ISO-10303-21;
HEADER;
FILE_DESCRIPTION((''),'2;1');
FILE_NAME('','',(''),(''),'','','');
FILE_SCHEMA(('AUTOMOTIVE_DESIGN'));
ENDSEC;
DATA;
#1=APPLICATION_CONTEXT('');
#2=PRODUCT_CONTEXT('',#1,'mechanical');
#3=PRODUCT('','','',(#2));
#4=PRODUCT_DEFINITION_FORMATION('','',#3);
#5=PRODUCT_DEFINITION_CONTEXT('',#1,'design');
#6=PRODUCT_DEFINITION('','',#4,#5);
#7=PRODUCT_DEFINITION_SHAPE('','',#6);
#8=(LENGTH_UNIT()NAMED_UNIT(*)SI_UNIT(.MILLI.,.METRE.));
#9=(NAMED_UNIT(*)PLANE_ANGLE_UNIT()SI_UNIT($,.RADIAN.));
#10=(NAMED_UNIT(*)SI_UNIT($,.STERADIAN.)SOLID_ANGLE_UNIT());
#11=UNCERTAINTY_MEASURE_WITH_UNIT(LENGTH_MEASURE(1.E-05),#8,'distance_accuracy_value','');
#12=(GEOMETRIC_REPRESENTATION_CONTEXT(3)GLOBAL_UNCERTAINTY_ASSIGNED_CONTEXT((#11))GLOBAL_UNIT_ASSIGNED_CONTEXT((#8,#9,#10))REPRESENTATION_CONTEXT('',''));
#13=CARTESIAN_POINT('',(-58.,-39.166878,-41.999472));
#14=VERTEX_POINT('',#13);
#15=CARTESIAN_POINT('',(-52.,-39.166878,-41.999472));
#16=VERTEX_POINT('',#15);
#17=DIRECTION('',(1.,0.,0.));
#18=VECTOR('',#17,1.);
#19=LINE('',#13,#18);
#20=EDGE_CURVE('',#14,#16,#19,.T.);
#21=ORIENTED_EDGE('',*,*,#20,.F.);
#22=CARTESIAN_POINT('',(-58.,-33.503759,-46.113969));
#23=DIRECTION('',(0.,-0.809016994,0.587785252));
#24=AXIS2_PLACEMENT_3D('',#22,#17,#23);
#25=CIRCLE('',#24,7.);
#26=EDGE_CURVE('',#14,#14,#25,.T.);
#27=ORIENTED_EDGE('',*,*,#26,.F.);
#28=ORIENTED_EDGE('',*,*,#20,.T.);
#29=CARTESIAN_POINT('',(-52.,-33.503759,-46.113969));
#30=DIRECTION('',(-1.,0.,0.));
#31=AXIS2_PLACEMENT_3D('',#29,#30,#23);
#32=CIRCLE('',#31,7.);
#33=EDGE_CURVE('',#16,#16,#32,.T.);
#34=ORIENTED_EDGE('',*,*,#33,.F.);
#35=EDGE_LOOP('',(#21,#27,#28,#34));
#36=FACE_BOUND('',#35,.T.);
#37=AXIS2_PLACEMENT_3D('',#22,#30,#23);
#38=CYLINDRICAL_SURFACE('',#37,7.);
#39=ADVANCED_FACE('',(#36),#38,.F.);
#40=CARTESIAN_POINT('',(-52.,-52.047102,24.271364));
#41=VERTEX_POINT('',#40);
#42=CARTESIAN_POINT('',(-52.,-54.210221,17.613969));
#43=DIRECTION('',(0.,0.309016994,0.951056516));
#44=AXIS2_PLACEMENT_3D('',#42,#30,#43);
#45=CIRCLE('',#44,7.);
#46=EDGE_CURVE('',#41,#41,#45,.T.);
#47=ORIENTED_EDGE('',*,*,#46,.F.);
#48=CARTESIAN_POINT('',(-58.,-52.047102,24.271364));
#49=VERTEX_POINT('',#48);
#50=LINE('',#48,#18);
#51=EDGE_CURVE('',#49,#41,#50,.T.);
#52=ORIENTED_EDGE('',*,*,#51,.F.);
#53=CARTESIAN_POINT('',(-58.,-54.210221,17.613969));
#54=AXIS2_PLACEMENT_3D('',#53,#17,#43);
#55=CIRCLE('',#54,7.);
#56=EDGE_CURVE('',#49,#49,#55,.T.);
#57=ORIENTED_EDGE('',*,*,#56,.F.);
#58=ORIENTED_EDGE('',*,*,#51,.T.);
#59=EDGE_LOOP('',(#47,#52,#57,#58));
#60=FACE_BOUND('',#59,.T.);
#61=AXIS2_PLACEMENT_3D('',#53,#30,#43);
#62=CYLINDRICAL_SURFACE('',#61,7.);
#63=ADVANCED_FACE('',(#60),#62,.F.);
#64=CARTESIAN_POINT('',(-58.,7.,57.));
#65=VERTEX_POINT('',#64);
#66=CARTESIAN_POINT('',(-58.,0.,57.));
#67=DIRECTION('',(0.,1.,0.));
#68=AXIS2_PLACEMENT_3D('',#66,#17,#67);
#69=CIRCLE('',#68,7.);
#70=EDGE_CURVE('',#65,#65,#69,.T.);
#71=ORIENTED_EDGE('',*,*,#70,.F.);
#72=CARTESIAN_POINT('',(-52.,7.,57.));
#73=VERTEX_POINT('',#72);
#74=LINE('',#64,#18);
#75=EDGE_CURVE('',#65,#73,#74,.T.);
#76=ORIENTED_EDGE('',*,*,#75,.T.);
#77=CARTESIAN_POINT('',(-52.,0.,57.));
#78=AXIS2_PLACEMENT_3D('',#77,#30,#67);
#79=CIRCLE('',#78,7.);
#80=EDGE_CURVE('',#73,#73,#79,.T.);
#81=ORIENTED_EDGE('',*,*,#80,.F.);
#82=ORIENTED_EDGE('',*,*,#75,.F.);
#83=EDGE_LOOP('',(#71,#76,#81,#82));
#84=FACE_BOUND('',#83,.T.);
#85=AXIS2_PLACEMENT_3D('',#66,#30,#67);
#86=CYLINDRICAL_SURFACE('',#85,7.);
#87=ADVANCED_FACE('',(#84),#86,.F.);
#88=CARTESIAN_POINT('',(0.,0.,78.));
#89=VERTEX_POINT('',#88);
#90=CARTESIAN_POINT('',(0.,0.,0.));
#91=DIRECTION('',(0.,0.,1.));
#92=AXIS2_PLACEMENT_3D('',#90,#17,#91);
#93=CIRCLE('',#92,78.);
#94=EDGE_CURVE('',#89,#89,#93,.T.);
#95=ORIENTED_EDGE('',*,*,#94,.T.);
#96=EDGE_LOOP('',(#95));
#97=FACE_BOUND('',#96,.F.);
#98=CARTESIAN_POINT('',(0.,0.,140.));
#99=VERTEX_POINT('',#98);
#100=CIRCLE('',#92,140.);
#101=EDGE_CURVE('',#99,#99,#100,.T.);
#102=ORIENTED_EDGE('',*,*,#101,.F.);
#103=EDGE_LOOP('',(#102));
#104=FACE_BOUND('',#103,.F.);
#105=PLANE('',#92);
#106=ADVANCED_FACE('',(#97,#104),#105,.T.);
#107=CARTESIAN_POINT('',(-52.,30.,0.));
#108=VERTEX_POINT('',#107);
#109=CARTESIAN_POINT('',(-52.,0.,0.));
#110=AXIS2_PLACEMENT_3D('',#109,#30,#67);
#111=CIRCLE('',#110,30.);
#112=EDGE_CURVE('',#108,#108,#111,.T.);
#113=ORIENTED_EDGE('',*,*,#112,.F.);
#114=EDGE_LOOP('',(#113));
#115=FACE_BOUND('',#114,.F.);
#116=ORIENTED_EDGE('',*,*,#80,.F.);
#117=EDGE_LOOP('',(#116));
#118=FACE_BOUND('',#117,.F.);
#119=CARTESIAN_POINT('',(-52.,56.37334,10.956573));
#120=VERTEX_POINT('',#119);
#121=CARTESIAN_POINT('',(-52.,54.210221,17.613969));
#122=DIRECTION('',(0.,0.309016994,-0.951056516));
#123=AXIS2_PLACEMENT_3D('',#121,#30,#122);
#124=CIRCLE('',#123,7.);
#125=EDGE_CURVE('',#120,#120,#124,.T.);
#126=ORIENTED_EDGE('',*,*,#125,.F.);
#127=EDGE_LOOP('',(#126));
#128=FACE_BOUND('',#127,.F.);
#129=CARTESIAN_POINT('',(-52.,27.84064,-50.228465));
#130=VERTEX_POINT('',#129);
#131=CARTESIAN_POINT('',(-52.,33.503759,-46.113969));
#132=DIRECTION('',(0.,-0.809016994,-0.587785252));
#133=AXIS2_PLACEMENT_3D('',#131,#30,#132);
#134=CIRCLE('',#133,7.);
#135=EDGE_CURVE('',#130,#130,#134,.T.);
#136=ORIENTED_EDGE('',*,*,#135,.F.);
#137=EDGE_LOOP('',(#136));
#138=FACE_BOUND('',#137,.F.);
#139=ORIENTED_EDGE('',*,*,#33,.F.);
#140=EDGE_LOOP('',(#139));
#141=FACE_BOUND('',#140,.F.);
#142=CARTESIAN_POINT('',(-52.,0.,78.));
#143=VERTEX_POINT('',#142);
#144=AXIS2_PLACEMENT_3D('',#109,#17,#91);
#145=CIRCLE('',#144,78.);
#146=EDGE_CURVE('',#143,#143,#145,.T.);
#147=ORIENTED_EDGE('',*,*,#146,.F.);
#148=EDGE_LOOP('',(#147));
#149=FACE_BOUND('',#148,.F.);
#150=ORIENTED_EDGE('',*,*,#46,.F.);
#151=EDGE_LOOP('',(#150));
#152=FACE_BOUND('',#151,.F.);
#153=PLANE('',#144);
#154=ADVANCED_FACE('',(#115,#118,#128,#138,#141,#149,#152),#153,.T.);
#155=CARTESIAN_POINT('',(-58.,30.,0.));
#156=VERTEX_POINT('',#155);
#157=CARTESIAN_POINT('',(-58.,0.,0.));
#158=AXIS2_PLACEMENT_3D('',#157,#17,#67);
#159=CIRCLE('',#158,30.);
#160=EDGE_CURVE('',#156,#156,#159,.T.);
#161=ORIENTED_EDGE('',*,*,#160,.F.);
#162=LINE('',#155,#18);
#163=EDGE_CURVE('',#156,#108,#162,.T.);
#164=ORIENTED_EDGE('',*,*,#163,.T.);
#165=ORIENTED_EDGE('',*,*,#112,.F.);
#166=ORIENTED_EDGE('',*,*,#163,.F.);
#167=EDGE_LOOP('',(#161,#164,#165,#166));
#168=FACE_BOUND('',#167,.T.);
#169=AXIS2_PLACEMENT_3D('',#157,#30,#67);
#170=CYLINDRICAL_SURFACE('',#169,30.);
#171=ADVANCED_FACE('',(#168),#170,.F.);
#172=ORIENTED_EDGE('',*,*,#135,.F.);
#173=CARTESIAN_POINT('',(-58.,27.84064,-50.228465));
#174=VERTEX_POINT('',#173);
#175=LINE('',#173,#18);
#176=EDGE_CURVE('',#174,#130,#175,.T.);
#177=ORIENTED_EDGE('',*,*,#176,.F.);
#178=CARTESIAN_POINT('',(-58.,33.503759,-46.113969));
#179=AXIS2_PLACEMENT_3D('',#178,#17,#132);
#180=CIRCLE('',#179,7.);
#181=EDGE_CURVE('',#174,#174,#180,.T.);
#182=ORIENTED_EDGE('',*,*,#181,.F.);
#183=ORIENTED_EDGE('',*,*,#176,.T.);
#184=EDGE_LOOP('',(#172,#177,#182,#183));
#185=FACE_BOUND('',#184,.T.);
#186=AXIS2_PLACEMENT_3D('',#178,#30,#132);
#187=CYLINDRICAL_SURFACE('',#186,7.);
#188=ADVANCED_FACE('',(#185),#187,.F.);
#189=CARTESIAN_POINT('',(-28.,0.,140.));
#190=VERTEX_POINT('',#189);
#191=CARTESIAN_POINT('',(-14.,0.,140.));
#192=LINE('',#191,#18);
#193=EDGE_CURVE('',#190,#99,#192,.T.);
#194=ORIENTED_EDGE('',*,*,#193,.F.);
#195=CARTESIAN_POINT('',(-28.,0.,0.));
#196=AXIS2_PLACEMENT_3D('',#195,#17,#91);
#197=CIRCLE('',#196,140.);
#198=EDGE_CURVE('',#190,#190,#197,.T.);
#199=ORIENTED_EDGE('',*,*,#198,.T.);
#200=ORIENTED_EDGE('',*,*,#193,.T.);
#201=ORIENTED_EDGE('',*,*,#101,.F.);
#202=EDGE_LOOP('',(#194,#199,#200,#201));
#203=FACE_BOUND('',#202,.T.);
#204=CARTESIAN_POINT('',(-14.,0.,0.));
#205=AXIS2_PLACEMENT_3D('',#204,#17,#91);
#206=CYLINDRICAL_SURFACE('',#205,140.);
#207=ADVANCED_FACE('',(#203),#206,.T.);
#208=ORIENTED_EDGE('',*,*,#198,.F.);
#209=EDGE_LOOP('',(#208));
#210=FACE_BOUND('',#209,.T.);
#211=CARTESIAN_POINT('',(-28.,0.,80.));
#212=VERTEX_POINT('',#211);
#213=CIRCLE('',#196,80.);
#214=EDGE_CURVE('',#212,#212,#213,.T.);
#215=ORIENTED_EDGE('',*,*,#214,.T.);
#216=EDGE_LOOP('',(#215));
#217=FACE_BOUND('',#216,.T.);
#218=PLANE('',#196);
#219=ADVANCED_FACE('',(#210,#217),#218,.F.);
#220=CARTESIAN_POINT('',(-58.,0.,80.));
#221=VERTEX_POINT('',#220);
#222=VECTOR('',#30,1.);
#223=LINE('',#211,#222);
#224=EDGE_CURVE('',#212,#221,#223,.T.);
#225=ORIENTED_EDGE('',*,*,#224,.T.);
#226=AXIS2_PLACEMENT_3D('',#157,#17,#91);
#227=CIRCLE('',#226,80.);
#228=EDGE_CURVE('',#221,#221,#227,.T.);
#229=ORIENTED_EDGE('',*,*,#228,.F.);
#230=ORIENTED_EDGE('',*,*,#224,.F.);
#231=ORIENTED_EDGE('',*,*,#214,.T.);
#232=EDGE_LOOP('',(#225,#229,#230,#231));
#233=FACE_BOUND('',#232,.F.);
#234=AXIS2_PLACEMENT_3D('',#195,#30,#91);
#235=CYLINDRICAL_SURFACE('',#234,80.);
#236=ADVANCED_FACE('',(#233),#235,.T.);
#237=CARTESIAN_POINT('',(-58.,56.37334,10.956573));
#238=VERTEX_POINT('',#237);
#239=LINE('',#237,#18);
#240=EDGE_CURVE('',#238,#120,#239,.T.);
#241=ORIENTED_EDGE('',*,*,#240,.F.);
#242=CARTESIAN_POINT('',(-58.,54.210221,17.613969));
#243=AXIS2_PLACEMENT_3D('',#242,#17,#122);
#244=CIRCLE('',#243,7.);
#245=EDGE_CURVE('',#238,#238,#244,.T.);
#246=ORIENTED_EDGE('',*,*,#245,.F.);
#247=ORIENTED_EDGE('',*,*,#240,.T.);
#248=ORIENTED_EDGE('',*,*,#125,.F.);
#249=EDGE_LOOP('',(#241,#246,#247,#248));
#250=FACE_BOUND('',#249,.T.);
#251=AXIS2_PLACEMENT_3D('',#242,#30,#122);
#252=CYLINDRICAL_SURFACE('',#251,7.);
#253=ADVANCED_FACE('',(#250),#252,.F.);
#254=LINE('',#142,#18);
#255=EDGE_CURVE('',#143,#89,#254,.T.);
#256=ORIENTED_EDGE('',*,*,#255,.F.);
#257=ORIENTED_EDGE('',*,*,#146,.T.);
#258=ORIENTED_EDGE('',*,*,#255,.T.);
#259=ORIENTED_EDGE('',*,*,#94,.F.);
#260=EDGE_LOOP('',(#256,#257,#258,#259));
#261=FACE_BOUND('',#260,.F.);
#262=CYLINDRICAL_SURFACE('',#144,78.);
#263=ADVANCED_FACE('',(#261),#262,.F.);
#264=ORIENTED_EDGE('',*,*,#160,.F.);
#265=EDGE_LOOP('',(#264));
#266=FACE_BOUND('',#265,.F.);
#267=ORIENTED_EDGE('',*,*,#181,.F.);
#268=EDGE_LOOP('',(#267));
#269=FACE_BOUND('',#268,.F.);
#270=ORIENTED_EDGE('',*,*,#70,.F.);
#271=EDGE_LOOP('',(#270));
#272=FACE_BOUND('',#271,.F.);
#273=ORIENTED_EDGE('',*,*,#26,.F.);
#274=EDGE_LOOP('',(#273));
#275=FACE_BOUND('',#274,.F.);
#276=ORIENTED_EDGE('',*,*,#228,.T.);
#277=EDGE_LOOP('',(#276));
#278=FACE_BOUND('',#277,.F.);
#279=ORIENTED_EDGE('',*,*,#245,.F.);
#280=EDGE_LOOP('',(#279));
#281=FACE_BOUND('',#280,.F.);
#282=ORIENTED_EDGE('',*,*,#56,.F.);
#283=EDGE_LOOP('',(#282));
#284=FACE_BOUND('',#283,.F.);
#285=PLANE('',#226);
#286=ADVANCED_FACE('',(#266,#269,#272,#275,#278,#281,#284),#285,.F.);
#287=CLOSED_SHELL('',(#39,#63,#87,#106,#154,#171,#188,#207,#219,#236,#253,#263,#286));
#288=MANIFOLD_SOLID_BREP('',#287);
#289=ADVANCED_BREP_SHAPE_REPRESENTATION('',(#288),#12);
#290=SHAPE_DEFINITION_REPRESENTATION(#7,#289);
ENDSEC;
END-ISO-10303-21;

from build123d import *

# Parameters (mm, degrees)
F0_W     = 28
F0_H     = 60
F3_R     = 30
F3_R_2   = 7
F4_DEPTH = 7
F5_COUNT = 5


with BuildPart() as f1:
    # F0 (on Front) → F1 (revolve)
    with BuildSketch(Plane.XZ):
        Polygon((-52, 78), (0, 78), (0, 80), (-28, 80), (-52, 80), align=None)
        with Locations((-14, 110)):
            Rectangle(F0_W, F0_H)
        Polygon((-52, 0), (-52, 78), (-52, 80), (-58, 80), (-58, 0), align=None)
    revolve(axis=Axis((-29, 0, 0), (1, 0, 0)))

    # F3 (on offset) → F4 (cut)
    with BuildSketch(Plane.YZ.offset(-58)):
        Circle(F3_R)
        with Locations((0, 57)):
            Circle(F3_R_2)
    f4 = extrude(amount=F4_DEPTH, mode=Mode.SUBTRACT)

    # F5: F4 ×5 about axis
    f5_axis = Axis((-58, 0, 0), (1, 0, 0))
    for i in range(1, F5_COUNT):
        add(f4.solids().sort_by_distance((-54.5, -7, 57))[0].rotate(f5_axis, i * 360 / F5_COUNT), mode=Mode.SUBTRACT)


solid = f1.part
